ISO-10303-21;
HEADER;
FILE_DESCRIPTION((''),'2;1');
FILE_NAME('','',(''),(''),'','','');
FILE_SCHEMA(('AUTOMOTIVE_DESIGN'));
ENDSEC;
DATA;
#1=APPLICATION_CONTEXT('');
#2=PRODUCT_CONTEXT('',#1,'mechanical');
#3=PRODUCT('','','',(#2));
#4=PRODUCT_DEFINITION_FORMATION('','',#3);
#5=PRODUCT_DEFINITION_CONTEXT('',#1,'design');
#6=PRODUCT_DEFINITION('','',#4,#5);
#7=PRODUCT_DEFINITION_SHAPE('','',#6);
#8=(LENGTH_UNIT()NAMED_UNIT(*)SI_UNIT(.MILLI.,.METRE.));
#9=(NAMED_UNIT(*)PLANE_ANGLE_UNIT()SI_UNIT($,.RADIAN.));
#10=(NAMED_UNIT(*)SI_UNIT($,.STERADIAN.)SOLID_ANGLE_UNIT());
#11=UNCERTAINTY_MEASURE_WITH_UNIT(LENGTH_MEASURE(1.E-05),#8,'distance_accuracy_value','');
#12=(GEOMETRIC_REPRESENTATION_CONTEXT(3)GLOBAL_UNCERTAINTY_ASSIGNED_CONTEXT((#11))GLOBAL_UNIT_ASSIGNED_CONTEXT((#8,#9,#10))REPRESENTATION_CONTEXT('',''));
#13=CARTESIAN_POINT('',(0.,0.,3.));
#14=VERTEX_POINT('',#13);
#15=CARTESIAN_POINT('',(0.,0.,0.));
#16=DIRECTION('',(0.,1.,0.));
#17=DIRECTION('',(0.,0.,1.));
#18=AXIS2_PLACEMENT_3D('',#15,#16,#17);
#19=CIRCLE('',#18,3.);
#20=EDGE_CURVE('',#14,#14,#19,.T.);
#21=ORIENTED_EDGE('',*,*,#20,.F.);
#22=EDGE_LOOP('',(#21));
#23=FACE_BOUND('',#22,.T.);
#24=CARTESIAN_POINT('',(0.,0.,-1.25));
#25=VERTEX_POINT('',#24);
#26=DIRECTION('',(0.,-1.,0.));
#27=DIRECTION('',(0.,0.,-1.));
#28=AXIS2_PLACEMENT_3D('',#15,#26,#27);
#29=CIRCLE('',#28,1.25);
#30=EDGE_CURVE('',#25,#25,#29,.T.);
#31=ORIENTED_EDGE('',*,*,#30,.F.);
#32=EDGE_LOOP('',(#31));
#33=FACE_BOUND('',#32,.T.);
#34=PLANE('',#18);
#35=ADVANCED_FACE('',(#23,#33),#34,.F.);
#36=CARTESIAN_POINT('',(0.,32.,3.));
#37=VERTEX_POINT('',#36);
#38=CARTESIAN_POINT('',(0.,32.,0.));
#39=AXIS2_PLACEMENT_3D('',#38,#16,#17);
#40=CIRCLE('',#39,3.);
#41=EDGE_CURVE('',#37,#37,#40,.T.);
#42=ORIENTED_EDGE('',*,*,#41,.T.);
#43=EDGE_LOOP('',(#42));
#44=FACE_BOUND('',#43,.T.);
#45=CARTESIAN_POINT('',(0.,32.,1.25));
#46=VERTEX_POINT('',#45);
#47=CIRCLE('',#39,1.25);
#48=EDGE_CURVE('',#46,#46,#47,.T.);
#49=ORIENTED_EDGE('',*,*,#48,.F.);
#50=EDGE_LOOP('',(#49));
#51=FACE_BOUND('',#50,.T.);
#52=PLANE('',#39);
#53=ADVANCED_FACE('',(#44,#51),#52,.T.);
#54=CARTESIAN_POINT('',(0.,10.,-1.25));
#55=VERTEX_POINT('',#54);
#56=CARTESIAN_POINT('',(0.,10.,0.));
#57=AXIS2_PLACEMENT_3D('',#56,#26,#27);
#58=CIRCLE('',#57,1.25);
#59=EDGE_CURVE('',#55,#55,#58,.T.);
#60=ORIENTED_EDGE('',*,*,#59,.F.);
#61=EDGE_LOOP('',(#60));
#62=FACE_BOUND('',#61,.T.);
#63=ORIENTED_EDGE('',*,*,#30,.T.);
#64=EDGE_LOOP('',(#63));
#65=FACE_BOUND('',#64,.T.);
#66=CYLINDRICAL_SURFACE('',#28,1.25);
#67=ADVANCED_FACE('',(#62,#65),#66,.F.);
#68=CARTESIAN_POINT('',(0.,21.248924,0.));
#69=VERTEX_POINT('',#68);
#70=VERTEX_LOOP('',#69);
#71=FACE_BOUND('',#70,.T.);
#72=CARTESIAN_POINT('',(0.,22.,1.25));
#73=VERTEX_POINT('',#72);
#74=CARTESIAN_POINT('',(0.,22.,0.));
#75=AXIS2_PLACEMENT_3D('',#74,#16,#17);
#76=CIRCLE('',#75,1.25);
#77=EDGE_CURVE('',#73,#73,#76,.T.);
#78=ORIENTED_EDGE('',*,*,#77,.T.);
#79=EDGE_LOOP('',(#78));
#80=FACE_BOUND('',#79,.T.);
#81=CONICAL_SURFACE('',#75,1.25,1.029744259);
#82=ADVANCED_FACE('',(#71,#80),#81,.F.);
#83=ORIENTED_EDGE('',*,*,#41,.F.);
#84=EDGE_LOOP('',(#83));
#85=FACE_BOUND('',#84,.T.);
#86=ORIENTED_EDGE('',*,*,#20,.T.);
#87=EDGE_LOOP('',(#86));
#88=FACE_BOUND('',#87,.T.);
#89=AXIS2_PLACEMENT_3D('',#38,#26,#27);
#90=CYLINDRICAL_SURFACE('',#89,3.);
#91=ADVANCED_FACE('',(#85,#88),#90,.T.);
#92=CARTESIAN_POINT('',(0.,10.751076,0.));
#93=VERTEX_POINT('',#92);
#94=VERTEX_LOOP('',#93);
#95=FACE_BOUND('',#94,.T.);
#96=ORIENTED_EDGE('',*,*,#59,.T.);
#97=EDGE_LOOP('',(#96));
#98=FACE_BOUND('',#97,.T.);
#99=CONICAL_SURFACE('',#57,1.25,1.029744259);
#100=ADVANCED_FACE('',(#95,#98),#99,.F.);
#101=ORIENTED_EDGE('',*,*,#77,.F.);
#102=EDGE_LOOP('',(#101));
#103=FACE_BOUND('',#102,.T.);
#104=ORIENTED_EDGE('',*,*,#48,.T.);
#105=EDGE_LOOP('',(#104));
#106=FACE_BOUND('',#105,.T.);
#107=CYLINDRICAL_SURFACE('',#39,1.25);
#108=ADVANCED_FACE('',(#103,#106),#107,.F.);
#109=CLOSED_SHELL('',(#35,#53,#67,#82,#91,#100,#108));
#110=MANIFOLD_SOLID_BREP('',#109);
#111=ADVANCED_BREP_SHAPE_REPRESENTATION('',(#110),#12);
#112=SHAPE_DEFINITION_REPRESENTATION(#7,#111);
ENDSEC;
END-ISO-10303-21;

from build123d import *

# Parameters (mm, degrees)
SKETCH1_R                   = 3
BOSS_EXTRUDE1_DEPTH         = 32
TAP_DRILL_FOR_M3_TAP1_D     = 2.5
TAP_DRILL_FOR_M3_TAP1_DEPTH = 10
TAP_DRILL_FOR_M3_TAP1_TIP   = 0.751075774
TAP_DRILL_FOR_M3_TAP2_D     = 2.5
TAP_DRILL_FOR_M3_TAP2_DEPTH = 10
TAP_DRILL_FOR_M3_TAP2_TIP   = 0.751075774


with BuildPart() as part:
    # Sketch1 → Boss-Extrude1 (new body)
    with BuildSketch(Plane(origin=(0, 0, 0), x_dir=(1, 0, 0), z_dir=(0, 1, 0))):
        Circle(SKETCH1_R)
    extrude(amount=BOSS_EXTRUDE1_DEPTH)

    # Tap Drill for M3 Tap1
    with Locations(Plane(origin=(0, 32, 0), x_dir=(1, 0, 0), z_dir=(0, 1, 0))):
        with Locations((0, 0)):
            Hole(TAP_DRILL_FOR_M3_TAP1_D / 2, depth=TAP_DRILL_FOR_M3_TAP1_DEPTH)
            with Locations((0, 0, -(TAP_DRILL_FOR_M3_TAP1_DEPTH + TAP_DRILL_FOR_M3_TAP1_TIP / 2))):  # 118° drill point
                Cone(0, TAP_DRILL_FOR_M3_TAP1_D / 2, TAP_DRILL_FOR_M3_TAP1_TIP, mode=Mode.SUBTRACT)

    # Tap Drill for M3 Tap2
    with Locations(Plane(origin=(0, 0, 0), x_dir=(-1, 0, 0), z_dir=(0, -1, 0))):
        with Locations((0, 0)):
            Hole(TAP_DRILL_FOR_M3_TAP2_D / 2, depth=TAP_DRILL_FOR_M3_TAP2_DEPTH)
            with Locations((0, 0, -(TAP_DRILL_FOR_M3_TAP2_DEPTH + TAP_DRILL_FOR_M3_TAP2_TIP / 2))):  # 118° drill point
                Cone(0, TAP_DRILL_FOR_M3_TAP2_D / 2, TAP_DRILL_FOR_M3_TAP2_TIP, mode=Mode.SUBTRACT)


solid = part.part
